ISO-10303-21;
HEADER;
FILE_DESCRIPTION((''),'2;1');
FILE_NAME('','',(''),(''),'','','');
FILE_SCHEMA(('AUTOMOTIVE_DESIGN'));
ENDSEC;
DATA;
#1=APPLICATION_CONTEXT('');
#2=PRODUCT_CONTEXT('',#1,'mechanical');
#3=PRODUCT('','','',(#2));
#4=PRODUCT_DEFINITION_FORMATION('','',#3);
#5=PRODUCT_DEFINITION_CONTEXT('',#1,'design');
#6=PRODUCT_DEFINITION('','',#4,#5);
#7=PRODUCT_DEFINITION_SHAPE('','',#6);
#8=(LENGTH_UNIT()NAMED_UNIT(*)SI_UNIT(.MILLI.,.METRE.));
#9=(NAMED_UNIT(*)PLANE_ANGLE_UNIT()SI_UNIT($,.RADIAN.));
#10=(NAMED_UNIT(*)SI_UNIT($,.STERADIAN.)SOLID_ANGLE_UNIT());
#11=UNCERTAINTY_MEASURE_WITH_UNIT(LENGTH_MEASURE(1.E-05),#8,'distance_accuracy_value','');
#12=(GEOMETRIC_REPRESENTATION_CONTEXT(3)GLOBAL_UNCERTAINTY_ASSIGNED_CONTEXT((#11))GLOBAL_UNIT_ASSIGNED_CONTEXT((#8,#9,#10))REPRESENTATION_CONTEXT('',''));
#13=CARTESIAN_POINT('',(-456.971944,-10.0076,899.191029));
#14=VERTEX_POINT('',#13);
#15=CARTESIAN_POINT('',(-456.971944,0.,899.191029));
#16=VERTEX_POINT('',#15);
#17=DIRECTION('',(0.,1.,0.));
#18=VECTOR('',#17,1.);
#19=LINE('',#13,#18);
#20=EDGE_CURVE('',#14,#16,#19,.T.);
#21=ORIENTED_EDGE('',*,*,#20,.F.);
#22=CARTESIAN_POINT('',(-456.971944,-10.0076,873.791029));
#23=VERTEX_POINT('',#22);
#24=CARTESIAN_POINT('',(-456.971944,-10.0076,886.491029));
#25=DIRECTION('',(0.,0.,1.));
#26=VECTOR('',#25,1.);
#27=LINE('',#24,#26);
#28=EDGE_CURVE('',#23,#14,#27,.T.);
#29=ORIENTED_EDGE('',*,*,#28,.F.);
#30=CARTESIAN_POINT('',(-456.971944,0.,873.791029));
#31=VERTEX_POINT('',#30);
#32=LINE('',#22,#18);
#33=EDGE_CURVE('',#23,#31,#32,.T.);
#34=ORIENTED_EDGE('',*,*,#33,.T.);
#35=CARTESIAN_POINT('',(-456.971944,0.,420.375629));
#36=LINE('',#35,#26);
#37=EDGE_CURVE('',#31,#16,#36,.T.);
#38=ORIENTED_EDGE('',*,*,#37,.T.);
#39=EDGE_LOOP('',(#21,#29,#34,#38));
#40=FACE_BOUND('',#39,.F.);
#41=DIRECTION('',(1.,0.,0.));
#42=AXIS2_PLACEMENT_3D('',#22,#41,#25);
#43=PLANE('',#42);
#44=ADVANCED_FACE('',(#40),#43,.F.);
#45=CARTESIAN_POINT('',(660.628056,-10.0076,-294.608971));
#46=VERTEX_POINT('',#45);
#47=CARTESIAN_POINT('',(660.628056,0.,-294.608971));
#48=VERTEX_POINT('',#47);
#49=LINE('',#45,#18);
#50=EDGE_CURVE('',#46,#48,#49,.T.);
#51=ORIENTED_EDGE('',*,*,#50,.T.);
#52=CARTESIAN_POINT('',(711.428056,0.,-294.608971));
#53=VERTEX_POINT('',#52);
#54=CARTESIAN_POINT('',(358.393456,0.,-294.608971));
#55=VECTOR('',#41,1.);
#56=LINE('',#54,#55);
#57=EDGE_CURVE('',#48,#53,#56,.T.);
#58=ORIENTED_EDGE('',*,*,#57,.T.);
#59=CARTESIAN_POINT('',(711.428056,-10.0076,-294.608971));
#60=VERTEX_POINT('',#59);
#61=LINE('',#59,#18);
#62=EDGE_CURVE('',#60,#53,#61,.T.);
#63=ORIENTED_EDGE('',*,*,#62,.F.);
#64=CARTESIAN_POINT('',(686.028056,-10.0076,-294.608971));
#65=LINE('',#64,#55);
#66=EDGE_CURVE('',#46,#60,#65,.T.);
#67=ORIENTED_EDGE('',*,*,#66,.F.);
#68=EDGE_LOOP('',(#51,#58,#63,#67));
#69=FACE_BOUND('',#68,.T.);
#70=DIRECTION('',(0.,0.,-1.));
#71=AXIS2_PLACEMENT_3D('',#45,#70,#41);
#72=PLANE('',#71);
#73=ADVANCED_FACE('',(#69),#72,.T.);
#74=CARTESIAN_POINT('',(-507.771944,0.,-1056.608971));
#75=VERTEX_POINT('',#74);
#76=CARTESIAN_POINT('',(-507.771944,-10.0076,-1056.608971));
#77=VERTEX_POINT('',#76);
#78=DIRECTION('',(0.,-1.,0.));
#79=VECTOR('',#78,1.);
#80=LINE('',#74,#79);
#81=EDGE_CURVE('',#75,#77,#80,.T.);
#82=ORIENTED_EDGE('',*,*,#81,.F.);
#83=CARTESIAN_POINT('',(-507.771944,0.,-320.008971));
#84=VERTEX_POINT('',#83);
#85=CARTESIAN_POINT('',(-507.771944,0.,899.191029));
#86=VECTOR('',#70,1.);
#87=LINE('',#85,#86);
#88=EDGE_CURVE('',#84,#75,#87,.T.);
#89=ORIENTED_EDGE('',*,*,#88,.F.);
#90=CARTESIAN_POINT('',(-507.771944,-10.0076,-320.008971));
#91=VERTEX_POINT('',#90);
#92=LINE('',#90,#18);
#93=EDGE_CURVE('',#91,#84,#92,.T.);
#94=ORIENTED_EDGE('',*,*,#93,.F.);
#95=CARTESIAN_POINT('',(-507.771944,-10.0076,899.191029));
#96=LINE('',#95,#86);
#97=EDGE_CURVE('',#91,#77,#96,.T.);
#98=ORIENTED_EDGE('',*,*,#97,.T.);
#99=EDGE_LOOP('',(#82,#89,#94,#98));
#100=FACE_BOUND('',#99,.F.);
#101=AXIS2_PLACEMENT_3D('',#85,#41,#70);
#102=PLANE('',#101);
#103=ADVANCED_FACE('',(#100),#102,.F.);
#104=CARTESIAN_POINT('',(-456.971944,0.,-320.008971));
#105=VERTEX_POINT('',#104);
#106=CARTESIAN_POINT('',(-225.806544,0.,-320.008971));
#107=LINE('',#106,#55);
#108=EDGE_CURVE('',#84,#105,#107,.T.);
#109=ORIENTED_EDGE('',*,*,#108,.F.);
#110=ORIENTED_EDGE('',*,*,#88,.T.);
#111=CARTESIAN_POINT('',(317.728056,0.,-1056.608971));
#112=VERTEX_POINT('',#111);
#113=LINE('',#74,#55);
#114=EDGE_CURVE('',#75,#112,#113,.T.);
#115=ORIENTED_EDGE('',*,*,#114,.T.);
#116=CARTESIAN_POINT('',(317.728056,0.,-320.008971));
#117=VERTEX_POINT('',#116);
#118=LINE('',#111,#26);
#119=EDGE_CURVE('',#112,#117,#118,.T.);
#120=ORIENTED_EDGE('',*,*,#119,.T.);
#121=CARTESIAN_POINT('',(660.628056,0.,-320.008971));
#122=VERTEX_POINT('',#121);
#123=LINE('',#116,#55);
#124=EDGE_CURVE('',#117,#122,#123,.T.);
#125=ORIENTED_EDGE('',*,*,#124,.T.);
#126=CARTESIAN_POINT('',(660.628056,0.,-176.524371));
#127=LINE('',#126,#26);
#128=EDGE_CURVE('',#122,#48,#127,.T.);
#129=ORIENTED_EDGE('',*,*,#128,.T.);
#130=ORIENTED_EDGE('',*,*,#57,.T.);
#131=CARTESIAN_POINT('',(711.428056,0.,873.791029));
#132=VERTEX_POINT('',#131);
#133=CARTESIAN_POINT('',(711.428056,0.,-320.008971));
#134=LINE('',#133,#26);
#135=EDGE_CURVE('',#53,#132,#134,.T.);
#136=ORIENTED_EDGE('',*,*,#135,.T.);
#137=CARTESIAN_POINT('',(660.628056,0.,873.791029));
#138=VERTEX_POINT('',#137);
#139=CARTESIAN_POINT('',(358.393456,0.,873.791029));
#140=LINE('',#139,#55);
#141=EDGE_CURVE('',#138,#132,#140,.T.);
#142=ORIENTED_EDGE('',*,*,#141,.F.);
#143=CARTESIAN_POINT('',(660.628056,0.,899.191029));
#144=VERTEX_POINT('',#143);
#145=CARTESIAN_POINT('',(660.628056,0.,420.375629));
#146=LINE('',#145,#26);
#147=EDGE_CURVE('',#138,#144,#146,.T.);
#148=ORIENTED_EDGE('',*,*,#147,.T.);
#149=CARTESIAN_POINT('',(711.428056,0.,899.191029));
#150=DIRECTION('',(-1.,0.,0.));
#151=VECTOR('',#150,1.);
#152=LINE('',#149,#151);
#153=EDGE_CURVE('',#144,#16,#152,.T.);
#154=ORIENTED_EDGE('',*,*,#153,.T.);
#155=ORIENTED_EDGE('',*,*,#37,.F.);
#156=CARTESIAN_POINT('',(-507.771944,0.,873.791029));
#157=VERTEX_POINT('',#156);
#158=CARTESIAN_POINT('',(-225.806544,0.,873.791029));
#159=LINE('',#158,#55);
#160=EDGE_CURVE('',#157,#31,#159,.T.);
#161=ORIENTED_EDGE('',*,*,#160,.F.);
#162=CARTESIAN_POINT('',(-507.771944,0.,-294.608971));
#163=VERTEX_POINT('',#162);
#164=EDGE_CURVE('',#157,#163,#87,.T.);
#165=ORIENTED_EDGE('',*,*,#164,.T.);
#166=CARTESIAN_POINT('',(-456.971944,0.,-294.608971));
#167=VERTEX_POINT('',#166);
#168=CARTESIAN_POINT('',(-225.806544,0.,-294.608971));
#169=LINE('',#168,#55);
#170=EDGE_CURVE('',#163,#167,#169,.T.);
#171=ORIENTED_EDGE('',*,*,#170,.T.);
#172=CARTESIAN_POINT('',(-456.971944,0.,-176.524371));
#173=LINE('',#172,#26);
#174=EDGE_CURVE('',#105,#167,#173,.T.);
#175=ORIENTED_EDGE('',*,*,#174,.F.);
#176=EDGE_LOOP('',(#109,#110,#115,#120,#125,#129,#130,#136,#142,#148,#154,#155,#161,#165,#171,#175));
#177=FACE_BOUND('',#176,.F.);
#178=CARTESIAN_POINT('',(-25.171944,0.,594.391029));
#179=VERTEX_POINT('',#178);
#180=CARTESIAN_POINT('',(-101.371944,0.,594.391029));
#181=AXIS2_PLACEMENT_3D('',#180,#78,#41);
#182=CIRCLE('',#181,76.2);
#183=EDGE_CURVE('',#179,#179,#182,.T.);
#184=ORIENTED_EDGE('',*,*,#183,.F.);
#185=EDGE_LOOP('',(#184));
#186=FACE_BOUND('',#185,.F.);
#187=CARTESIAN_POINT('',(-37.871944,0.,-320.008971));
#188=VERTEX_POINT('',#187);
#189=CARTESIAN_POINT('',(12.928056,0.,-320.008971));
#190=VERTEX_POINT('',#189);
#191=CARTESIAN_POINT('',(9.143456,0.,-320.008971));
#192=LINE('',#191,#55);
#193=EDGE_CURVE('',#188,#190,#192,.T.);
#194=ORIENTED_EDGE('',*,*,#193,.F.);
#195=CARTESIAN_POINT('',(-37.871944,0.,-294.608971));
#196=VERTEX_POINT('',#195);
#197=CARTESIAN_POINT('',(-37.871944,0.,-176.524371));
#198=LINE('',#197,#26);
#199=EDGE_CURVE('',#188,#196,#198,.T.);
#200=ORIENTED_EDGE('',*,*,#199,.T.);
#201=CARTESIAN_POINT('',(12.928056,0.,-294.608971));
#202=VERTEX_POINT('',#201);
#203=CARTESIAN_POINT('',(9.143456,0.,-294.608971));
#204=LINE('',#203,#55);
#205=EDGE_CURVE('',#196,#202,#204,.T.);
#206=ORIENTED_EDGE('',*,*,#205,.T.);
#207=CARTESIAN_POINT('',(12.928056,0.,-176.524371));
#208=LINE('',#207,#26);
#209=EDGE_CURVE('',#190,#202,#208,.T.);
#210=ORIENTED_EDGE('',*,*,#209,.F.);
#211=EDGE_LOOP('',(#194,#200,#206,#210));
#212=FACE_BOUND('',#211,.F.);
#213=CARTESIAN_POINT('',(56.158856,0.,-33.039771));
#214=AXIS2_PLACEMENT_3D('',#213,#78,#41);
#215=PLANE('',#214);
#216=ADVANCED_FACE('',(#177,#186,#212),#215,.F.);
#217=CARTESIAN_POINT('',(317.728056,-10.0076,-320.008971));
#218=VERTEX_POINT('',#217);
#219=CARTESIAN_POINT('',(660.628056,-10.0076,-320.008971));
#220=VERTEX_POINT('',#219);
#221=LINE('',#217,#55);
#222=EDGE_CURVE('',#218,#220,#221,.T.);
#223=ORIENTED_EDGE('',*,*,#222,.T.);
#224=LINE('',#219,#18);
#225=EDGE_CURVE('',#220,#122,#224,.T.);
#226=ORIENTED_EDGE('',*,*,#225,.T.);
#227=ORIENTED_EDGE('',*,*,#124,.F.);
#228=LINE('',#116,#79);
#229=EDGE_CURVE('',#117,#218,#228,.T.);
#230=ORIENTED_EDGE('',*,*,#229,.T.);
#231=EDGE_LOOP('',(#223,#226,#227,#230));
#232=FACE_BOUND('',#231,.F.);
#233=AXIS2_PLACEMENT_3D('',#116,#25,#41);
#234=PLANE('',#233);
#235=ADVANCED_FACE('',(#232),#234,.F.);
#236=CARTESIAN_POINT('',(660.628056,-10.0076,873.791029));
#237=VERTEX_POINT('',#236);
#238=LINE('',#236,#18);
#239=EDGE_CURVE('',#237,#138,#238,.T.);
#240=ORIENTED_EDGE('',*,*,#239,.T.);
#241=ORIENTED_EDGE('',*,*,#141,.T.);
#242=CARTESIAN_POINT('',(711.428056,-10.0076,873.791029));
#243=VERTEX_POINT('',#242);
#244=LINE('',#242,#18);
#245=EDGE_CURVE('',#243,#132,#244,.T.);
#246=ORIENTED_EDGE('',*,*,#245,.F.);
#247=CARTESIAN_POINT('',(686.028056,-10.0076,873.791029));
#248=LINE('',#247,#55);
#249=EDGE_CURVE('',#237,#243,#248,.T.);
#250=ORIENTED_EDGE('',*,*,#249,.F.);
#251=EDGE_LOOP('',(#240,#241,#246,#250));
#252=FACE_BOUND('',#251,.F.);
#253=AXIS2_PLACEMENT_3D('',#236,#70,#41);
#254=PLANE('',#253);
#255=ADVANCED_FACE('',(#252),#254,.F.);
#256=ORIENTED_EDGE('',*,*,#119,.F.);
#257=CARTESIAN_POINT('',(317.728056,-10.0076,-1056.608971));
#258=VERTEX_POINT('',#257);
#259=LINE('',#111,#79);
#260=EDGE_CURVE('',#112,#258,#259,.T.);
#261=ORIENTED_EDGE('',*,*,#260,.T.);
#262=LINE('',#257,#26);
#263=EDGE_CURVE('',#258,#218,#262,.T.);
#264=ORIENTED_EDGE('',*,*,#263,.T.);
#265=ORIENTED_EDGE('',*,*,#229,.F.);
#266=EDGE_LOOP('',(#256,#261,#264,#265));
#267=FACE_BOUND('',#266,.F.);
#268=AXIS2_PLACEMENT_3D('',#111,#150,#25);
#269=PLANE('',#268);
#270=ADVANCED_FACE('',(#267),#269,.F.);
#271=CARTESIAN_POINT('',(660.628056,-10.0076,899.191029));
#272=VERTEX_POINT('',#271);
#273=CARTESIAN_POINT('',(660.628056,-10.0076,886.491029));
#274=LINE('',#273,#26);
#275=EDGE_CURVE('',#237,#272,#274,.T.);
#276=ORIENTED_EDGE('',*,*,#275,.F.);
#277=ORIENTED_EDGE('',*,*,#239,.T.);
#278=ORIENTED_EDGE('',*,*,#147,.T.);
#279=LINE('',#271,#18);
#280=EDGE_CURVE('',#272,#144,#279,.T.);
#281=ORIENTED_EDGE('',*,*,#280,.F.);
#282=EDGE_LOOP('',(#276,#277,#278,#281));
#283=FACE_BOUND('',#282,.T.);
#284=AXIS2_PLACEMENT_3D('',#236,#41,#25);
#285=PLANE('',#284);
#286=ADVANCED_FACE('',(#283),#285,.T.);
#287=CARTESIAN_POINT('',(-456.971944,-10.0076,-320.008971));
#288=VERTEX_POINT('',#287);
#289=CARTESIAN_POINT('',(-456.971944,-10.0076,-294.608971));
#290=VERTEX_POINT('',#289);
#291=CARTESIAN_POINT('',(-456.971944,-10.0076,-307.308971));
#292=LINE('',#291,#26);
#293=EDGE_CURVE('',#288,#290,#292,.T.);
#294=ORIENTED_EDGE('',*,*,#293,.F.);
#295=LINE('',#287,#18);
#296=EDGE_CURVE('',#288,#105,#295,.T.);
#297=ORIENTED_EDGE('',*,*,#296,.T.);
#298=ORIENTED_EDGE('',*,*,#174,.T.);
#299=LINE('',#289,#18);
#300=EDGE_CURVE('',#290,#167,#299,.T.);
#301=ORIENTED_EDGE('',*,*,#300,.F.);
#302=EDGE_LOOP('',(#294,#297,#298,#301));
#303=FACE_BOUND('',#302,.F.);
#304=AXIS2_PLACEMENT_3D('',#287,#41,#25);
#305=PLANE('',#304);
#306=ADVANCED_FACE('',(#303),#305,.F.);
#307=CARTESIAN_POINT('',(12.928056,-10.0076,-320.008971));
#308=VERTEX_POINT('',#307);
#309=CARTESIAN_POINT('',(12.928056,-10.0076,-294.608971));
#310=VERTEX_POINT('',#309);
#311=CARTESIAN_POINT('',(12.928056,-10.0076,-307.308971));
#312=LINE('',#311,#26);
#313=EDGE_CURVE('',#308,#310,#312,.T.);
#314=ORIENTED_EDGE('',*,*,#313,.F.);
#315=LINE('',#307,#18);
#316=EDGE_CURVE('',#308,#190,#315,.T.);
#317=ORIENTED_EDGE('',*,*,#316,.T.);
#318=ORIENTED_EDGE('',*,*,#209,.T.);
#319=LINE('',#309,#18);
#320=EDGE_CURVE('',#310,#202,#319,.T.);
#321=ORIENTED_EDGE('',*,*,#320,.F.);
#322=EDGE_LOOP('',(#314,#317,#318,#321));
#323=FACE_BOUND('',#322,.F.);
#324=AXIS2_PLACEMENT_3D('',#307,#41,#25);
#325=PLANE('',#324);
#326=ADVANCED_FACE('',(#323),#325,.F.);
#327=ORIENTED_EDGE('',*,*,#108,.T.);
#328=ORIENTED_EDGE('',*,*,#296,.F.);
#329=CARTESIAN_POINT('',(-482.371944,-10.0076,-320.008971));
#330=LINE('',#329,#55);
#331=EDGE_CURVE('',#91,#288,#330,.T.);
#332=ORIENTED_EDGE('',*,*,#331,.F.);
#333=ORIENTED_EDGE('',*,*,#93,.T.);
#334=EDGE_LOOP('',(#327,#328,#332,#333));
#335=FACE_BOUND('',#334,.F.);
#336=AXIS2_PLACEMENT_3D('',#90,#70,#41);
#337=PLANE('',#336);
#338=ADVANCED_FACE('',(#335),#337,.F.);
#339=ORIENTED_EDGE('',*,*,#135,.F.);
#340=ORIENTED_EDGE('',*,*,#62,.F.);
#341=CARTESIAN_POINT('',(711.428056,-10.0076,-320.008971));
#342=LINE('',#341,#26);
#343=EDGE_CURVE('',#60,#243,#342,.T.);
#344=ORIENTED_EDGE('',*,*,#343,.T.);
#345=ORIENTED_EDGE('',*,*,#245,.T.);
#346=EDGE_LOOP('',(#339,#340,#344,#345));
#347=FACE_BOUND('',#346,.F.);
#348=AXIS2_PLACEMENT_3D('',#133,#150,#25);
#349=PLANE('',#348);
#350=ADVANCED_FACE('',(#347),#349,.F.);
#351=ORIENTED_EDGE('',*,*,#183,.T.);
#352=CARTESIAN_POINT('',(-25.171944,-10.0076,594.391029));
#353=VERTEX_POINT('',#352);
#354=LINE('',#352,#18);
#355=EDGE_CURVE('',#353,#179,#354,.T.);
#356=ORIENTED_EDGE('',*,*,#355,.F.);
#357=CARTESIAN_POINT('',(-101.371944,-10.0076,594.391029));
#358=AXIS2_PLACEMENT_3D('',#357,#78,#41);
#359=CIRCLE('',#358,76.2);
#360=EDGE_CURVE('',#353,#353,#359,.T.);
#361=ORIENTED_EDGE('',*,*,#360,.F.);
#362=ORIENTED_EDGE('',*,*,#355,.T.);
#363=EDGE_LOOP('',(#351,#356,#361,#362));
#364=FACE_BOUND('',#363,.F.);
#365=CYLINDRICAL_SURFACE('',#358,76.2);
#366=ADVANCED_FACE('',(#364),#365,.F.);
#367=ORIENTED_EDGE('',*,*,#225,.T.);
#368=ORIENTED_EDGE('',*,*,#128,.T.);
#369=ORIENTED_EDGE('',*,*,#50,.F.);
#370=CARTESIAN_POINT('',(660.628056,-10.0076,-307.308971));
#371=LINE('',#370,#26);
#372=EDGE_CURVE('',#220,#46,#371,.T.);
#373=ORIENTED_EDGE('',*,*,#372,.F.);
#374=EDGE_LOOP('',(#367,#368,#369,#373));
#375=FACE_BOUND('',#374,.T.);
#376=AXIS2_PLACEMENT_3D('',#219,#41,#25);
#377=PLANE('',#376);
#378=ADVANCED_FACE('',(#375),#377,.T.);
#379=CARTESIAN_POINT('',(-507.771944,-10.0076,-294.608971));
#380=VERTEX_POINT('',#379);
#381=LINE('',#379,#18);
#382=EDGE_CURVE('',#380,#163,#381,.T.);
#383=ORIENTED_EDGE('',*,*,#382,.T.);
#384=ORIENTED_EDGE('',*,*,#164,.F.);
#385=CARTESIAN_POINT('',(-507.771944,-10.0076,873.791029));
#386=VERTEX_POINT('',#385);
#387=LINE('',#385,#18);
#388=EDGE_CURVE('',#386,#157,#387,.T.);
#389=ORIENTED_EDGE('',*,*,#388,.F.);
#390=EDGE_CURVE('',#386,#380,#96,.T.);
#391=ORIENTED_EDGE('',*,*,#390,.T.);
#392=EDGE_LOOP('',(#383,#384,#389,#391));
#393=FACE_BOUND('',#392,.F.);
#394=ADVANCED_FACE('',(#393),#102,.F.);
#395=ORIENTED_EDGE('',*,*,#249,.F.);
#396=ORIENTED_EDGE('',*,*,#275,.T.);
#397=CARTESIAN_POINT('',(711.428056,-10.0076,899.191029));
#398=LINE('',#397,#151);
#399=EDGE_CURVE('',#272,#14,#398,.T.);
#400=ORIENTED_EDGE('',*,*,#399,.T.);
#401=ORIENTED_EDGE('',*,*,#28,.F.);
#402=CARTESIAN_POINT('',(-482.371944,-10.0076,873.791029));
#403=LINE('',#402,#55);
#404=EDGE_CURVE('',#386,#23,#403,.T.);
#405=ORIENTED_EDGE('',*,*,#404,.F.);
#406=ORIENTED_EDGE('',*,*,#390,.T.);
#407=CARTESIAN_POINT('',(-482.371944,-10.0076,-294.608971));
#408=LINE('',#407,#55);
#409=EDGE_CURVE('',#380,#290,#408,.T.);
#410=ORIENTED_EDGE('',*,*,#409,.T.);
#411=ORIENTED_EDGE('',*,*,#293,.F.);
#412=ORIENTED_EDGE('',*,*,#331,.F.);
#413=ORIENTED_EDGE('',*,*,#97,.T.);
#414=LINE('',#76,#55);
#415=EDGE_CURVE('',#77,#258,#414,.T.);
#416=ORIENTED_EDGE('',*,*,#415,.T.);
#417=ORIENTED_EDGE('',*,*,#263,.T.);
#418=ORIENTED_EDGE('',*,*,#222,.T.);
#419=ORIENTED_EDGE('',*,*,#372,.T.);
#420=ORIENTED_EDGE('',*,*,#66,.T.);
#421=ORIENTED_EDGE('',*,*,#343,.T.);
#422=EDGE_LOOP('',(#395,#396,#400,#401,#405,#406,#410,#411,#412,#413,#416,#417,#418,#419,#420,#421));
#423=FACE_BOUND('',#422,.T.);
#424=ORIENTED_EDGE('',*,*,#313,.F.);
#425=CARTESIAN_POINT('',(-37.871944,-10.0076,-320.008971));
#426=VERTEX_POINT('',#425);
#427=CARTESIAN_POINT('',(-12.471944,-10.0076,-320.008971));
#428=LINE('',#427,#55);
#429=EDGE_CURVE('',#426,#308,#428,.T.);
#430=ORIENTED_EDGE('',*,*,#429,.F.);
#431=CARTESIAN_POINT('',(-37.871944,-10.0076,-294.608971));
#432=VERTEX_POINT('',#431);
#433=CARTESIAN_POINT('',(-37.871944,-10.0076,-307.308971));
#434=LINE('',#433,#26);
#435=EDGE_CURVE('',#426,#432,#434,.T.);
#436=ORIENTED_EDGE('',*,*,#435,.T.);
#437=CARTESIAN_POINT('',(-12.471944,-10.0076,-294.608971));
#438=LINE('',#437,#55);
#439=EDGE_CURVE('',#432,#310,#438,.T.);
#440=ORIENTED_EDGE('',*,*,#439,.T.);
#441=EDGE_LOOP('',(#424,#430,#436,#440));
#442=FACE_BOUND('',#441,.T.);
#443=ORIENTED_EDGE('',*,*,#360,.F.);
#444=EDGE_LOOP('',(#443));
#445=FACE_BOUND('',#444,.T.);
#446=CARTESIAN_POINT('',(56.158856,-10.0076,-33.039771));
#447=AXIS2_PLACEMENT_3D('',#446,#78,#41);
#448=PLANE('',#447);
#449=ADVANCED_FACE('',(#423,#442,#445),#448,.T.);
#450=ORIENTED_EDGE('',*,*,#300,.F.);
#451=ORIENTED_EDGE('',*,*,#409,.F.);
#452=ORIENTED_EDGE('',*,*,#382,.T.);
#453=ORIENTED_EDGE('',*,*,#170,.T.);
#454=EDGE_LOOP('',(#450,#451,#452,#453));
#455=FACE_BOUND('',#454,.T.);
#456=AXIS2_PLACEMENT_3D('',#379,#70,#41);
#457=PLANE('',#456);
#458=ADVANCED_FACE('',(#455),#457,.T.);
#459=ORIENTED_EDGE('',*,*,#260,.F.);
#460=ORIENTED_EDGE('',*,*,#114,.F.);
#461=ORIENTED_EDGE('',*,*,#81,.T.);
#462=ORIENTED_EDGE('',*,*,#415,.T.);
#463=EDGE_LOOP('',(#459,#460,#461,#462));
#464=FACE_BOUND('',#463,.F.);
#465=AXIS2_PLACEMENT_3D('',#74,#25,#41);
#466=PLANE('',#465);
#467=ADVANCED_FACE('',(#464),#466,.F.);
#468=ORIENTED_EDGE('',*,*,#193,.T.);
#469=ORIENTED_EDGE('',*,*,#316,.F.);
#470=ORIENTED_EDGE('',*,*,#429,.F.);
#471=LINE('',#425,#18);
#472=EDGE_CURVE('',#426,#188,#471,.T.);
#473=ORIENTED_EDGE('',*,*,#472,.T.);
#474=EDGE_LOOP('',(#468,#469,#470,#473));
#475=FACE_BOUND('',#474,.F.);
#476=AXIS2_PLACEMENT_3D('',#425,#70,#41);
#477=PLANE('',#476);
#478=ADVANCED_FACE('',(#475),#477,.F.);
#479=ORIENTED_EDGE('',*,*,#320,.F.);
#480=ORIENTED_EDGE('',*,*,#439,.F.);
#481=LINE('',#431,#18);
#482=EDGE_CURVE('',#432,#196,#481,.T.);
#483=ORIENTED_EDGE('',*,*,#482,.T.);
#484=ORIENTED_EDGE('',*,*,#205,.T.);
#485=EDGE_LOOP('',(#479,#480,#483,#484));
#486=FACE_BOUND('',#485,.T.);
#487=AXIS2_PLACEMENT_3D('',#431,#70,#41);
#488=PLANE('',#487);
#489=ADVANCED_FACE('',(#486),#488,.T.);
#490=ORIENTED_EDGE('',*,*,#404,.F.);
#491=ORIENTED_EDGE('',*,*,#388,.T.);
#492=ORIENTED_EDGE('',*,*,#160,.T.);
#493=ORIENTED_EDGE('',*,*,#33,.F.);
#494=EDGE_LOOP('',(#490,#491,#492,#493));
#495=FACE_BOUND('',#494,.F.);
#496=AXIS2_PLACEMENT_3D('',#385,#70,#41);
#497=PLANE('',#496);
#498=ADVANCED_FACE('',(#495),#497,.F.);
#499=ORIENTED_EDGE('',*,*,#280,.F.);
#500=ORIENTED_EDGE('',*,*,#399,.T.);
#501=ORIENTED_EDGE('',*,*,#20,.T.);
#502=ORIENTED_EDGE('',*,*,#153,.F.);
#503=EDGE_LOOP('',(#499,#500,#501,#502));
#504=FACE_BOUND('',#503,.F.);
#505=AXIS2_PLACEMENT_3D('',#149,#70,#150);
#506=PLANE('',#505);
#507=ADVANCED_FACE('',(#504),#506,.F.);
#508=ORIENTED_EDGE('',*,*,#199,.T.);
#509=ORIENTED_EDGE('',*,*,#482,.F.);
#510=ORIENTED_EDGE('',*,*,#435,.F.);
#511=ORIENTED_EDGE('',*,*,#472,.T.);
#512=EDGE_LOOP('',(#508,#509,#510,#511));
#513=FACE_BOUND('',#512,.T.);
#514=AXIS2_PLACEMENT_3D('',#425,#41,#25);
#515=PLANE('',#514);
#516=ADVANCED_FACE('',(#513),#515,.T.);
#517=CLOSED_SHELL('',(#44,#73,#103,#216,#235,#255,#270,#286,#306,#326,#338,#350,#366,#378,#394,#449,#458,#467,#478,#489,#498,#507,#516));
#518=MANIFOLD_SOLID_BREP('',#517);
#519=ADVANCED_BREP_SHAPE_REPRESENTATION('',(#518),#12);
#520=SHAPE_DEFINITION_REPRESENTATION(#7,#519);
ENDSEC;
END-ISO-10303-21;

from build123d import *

# Parameters (mm, degrees)
F1_DEPTH = 10.0076
F2_W     = 50.8
F2_H     = 25.4
F3_DEPTH = 10.0086
F4_R     = 76.2
F5_DEPTH = 10.0086


with BuildPart() as f1:
    # F0 (on Front) → F1 (new body)
    with BuildSketch(Plane.XZ):
        Polygon((711.428056, 899.191029), (-507.771944, 899.191029), (-507.771944, -1056.608971), (317.728056, -1056.608971), (317.728056, -320.008971), (711.428056, -320.008971), align=None)
    extrude(amount=F1_DEPTH)

    # F2 (on face) → F3 (cut, through all)
    with BuildSketch(Plane.XZ.offset(10.0076)):
        with Locations((686.028056, 886.491029)):
            Rectangle(F2_W, F2_H)
        with Locations((-482.371944, 886.491029)):
            Rectangle(F2_W, F2_H)
        with Locations((686.028056, -307.308971)):
            Rectangle(F2_W, F2_H)
        with Locations((-482.371944, -307.308971)):
            Rectangle(F2_W, F2_H)
        with Locations((-12.471944, -307.308971)):
            Rectangle(F2_W, F2_H)
    extrude(amount=-F3_DEPTH, mode=Mode.SUBTRACT)

    # F4 (on face) → F5 (cut, through all)
    with BuildSketch(Plane.XZ.offset(10.0076)):
        with Locations((-101.371944, 594.391029)):
            Circle(F4_R)
    extrude(amount=-F5_DEPTH, mode=Mode.SUBTRACT)


solid = f1.part
